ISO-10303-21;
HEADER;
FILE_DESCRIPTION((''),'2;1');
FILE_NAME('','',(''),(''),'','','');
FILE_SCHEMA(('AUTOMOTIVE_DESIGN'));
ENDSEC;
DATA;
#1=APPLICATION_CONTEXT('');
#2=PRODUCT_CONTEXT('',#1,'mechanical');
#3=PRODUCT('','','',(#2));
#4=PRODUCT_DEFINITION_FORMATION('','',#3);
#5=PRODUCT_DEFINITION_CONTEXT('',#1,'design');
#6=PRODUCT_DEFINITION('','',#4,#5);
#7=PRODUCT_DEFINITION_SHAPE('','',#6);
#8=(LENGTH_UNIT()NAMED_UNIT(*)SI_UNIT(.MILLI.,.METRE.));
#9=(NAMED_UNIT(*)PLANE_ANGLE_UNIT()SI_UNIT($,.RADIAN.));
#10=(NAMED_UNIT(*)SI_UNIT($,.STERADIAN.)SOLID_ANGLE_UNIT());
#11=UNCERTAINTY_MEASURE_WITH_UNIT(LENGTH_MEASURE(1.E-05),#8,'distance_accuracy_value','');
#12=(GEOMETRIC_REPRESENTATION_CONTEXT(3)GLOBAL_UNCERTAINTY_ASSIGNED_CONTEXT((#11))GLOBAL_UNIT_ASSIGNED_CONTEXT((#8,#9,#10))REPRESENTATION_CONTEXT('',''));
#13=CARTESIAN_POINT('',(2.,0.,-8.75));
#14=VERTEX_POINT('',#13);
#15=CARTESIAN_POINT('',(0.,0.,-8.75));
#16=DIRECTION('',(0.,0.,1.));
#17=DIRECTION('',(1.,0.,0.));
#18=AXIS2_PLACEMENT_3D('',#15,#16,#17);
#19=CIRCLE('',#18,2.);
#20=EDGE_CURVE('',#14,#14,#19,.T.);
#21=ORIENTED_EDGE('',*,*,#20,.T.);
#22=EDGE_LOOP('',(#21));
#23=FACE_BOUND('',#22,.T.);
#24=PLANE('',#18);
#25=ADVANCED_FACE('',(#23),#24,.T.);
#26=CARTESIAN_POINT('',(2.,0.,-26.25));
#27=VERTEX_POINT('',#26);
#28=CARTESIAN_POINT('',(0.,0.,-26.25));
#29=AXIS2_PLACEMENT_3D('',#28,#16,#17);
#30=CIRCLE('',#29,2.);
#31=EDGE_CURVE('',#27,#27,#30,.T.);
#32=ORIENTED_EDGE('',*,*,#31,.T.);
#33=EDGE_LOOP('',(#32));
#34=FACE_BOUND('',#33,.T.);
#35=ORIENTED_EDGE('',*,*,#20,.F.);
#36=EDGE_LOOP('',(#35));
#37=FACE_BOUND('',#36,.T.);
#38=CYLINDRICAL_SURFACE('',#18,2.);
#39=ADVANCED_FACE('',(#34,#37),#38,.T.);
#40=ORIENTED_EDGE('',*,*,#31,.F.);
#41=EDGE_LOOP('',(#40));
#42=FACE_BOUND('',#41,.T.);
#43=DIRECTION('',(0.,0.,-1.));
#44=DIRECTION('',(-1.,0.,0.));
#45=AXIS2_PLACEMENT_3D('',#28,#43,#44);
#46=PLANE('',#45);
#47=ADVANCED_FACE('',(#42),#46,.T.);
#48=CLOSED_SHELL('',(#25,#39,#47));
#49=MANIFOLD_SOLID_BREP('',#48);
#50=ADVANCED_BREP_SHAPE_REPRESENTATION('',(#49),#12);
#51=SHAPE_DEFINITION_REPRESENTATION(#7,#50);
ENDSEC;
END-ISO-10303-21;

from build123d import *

# Parameters (mm, degrees)
SKETCH1_W    = 4
SKETCH1_H    = 35
SCALE1_SCALE = 0.5


with BuildPart() as part:
    # Sketch1 → Revolve1 (revolve)
    with BuildSketch(Plane(origin=(0, 0, 0), x_dir=(1, 0, 0), z_dir=(0, 1, 0))):
        with Locations((2, 17.5)):
            Rectangle(SKETCH1_W, SKETCH1_H)
    revolve(axis=Axis((0, 0, 0), (0, 0, -1)))


with BuildPart() as part_1:
    # Scale1: scaled about (0, 0, -17.5)
    add(part.part.scale(SCALE1_SCALE).moved(Location((0, 0, -8.75))))


solid = part_1.part
